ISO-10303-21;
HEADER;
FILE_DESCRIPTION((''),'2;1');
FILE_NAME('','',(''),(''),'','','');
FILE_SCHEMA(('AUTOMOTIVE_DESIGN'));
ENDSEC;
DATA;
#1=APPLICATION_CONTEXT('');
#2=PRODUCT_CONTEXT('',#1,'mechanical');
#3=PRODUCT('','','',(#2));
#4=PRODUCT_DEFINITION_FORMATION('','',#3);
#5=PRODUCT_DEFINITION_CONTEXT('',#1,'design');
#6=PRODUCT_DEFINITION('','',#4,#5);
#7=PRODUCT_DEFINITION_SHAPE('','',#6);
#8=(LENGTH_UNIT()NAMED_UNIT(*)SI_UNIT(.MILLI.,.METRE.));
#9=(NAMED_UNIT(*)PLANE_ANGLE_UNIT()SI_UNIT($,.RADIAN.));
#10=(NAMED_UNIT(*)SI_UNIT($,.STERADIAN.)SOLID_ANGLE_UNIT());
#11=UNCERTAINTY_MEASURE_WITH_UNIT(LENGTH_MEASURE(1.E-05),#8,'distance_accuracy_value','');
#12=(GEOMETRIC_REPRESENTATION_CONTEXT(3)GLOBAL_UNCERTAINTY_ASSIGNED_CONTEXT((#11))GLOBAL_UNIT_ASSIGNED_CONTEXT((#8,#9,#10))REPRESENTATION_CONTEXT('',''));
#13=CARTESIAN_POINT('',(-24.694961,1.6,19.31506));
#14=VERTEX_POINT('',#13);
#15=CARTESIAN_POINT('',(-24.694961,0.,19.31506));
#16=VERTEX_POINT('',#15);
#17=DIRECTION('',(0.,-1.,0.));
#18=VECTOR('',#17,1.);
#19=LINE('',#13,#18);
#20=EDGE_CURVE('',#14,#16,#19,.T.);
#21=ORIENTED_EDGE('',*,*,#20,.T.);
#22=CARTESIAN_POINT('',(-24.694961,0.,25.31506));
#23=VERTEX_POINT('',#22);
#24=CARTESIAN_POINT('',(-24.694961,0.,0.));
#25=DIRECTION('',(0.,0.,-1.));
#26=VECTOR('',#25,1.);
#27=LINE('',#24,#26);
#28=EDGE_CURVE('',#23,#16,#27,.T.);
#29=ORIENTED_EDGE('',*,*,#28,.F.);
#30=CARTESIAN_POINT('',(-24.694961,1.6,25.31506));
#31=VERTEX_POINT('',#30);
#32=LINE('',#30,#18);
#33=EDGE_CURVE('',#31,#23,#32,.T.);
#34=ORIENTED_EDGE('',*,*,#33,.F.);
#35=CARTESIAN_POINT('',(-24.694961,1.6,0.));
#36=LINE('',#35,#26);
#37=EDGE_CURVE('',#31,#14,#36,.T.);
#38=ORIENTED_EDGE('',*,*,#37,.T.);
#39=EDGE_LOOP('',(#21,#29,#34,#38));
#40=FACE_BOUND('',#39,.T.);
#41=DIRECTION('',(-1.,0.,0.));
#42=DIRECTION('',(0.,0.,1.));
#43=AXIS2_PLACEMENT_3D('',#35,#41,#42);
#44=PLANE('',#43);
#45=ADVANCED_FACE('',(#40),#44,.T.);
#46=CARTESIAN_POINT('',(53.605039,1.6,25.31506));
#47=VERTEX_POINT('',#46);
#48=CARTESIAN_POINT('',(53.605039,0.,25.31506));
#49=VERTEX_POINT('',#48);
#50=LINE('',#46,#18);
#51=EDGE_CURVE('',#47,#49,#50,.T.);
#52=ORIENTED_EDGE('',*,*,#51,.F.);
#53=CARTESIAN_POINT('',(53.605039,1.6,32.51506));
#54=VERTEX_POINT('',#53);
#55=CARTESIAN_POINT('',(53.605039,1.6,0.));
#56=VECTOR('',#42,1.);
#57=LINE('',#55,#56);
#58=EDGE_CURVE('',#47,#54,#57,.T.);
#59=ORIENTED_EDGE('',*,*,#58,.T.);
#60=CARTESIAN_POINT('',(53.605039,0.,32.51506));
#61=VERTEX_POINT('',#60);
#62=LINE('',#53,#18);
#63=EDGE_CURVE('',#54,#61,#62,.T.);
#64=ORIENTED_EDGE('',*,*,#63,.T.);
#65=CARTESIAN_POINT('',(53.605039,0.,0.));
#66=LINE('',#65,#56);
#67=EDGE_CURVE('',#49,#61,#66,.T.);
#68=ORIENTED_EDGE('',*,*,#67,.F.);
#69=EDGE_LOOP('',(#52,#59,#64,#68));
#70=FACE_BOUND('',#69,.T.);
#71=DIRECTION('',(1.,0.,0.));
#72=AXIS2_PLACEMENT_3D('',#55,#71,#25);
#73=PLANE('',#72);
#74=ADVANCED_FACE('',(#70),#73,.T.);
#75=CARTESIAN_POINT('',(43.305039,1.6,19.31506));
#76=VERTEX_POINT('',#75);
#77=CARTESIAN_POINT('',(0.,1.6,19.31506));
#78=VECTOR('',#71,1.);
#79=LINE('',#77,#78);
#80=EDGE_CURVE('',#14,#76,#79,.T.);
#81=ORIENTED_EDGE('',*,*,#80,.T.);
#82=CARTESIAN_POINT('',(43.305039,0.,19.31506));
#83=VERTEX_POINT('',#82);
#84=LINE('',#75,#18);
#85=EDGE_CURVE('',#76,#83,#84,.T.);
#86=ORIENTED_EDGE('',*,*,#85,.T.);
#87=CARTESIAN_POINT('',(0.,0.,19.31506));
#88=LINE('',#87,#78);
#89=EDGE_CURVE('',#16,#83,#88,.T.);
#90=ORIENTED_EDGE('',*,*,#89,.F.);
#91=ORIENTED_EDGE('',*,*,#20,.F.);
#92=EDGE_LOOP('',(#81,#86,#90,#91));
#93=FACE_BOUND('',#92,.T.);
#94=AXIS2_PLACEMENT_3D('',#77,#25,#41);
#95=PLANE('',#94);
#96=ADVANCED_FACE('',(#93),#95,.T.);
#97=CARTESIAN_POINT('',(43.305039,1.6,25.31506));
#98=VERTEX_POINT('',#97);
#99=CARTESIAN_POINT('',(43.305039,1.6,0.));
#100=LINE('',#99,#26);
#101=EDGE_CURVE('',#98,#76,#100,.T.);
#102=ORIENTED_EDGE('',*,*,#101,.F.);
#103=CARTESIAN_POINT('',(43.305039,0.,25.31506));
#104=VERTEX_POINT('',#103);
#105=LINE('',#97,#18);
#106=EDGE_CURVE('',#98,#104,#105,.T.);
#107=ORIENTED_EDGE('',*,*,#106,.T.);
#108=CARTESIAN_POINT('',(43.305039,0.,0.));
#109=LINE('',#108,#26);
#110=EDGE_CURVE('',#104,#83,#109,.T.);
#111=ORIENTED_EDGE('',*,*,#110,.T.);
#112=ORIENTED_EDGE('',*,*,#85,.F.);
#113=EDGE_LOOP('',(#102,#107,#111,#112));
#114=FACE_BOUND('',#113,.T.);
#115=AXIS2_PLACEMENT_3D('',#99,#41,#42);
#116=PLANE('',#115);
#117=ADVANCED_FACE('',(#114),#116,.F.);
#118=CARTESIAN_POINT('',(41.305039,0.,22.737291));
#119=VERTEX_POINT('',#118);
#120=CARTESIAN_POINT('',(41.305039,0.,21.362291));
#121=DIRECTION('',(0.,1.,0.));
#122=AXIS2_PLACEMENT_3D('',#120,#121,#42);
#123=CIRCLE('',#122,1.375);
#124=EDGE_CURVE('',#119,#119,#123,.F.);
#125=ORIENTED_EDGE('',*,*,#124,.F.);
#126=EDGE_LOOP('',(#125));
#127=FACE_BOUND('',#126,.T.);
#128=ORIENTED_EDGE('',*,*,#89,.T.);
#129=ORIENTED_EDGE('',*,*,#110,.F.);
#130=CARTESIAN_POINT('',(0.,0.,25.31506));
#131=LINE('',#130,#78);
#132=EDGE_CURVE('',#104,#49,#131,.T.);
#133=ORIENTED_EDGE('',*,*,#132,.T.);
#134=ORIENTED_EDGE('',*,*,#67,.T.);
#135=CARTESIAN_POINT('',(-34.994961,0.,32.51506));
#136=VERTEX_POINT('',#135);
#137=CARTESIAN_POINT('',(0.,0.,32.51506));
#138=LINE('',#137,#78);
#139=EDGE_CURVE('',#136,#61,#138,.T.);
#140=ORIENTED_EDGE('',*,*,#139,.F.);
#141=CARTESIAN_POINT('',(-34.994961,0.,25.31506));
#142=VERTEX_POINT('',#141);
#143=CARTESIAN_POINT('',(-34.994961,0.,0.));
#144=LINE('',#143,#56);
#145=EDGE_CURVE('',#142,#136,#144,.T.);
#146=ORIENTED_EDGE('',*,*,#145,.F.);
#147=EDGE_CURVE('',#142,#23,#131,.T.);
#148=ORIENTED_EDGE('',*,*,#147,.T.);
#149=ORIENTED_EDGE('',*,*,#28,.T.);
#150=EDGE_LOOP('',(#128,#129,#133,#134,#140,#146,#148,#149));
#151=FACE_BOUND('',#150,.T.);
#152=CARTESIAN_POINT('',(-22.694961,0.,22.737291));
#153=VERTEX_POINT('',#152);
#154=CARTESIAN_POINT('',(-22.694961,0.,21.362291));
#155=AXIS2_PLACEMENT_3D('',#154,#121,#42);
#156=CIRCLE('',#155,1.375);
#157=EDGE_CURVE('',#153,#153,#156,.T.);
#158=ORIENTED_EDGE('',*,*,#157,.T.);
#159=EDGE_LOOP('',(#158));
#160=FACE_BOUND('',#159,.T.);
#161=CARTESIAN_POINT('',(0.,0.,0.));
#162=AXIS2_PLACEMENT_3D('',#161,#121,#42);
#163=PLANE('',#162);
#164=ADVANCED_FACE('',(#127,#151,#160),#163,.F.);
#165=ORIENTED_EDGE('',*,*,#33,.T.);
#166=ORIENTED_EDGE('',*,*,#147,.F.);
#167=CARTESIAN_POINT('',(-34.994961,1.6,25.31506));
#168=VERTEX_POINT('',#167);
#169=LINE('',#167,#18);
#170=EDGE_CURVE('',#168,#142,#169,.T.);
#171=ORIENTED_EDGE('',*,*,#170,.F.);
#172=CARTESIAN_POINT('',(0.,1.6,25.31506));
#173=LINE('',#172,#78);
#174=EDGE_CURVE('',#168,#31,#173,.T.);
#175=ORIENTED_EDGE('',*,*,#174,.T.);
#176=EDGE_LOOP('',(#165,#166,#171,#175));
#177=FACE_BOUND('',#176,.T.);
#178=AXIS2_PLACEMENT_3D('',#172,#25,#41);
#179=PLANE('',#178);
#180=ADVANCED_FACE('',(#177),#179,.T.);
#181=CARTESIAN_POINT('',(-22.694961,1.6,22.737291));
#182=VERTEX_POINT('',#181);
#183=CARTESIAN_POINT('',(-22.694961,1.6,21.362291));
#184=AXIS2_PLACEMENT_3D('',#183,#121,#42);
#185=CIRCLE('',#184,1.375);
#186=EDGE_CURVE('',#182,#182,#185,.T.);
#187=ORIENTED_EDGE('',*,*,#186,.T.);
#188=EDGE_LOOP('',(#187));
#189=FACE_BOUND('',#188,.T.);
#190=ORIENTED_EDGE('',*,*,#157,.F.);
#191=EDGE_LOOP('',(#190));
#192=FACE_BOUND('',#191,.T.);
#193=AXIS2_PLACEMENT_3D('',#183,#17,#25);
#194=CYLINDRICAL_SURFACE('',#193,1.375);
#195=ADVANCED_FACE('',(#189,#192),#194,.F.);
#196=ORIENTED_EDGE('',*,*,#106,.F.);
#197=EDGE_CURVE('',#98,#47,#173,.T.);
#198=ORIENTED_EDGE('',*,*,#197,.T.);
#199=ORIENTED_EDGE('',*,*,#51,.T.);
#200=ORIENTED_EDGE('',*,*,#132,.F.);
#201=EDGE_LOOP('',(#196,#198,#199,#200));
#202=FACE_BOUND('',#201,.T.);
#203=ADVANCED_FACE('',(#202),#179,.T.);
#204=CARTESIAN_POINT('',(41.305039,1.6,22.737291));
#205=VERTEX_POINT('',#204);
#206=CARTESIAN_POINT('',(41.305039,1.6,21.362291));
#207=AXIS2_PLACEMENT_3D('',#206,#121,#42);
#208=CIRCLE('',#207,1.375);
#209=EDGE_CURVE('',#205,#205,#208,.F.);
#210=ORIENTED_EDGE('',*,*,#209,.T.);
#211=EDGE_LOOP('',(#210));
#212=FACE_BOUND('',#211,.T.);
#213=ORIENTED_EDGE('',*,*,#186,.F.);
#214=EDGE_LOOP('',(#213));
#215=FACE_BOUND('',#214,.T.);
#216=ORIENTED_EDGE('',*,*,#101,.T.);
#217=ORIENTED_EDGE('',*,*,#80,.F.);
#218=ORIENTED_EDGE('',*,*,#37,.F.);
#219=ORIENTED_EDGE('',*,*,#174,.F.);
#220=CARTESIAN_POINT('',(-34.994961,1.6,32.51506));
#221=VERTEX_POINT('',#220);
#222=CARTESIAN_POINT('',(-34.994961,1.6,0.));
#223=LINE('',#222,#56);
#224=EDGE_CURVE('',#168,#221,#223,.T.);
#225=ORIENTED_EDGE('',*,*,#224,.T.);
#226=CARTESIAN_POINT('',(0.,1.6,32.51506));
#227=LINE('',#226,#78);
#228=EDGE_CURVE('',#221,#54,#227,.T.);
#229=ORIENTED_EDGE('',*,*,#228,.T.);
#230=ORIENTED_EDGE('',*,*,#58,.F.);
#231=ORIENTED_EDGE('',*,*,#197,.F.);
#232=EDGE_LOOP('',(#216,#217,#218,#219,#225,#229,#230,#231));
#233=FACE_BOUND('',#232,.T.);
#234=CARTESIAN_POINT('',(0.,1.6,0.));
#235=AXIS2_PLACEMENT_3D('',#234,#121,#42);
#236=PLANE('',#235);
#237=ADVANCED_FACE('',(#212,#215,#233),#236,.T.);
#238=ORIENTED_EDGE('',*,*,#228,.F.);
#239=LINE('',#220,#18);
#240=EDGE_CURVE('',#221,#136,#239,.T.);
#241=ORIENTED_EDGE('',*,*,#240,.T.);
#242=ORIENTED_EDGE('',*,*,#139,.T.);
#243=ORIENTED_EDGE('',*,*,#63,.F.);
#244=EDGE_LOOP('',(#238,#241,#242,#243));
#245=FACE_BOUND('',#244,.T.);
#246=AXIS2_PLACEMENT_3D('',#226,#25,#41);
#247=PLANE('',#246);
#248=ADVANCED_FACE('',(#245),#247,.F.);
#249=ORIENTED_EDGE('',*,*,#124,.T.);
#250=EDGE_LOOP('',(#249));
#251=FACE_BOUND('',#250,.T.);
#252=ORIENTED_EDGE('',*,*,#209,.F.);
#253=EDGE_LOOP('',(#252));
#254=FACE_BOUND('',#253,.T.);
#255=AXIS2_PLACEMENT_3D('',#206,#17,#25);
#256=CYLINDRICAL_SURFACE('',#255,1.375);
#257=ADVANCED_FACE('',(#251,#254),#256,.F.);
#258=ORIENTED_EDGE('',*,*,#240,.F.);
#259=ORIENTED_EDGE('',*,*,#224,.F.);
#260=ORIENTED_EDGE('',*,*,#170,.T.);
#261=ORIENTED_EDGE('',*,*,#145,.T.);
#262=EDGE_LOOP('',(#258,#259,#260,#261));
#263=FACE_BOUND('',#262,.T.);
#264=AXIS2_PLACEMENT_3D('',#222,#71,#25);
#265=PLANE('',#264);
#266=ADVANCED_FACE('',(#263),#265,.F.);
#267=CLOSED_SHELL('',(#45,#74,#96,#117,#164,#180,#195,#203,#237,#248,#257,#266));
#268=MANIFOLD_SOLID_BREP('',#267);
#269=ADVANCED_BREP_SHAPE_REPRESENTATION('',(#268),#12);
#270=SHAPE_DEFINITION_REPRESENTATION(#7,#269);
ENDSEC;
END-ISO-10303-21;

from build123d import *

# Parameters (mm, degrees)
SKETCH1_W           = 88.6
SKETCH1_H           = 7.2
SKETCH1_W_2         = 68
SKETCH1_H_2         = 6
SKETCH1_R           = 1.375
BOSS_EXTRUDE1_DEPTH = 1.6


with BuildPart() as part:
    # Sketch1 → Boss-Extrude1 (new body)
    with BuildSketch(Plane(origin=(0, 0, 0), x_dir=(1, 0, 0), z_dir=(0, 1, 0))):
        with Locations((9.305038693, -28.915060123)):
            Rectangle(SKETCH1_W, SKETCH1_H)
        with Locations((9.305038693, -22.315060123)):
            Rectangle(SKETCH1_W_2, SKETCH1_H_2)
        with Locations((-22.694961307, -21.362291366)):
            Circle(SKETCH1_R, mode=Mode.SUBTRACT)
        with Locations((41.305038693, -21.362291366)):
            Circle(SKETCH1_R, mode=Mode.SUBTRACT)
    extrude(amount=BOSS_EXTRUDE1_DEPTH)


solid = part.part
